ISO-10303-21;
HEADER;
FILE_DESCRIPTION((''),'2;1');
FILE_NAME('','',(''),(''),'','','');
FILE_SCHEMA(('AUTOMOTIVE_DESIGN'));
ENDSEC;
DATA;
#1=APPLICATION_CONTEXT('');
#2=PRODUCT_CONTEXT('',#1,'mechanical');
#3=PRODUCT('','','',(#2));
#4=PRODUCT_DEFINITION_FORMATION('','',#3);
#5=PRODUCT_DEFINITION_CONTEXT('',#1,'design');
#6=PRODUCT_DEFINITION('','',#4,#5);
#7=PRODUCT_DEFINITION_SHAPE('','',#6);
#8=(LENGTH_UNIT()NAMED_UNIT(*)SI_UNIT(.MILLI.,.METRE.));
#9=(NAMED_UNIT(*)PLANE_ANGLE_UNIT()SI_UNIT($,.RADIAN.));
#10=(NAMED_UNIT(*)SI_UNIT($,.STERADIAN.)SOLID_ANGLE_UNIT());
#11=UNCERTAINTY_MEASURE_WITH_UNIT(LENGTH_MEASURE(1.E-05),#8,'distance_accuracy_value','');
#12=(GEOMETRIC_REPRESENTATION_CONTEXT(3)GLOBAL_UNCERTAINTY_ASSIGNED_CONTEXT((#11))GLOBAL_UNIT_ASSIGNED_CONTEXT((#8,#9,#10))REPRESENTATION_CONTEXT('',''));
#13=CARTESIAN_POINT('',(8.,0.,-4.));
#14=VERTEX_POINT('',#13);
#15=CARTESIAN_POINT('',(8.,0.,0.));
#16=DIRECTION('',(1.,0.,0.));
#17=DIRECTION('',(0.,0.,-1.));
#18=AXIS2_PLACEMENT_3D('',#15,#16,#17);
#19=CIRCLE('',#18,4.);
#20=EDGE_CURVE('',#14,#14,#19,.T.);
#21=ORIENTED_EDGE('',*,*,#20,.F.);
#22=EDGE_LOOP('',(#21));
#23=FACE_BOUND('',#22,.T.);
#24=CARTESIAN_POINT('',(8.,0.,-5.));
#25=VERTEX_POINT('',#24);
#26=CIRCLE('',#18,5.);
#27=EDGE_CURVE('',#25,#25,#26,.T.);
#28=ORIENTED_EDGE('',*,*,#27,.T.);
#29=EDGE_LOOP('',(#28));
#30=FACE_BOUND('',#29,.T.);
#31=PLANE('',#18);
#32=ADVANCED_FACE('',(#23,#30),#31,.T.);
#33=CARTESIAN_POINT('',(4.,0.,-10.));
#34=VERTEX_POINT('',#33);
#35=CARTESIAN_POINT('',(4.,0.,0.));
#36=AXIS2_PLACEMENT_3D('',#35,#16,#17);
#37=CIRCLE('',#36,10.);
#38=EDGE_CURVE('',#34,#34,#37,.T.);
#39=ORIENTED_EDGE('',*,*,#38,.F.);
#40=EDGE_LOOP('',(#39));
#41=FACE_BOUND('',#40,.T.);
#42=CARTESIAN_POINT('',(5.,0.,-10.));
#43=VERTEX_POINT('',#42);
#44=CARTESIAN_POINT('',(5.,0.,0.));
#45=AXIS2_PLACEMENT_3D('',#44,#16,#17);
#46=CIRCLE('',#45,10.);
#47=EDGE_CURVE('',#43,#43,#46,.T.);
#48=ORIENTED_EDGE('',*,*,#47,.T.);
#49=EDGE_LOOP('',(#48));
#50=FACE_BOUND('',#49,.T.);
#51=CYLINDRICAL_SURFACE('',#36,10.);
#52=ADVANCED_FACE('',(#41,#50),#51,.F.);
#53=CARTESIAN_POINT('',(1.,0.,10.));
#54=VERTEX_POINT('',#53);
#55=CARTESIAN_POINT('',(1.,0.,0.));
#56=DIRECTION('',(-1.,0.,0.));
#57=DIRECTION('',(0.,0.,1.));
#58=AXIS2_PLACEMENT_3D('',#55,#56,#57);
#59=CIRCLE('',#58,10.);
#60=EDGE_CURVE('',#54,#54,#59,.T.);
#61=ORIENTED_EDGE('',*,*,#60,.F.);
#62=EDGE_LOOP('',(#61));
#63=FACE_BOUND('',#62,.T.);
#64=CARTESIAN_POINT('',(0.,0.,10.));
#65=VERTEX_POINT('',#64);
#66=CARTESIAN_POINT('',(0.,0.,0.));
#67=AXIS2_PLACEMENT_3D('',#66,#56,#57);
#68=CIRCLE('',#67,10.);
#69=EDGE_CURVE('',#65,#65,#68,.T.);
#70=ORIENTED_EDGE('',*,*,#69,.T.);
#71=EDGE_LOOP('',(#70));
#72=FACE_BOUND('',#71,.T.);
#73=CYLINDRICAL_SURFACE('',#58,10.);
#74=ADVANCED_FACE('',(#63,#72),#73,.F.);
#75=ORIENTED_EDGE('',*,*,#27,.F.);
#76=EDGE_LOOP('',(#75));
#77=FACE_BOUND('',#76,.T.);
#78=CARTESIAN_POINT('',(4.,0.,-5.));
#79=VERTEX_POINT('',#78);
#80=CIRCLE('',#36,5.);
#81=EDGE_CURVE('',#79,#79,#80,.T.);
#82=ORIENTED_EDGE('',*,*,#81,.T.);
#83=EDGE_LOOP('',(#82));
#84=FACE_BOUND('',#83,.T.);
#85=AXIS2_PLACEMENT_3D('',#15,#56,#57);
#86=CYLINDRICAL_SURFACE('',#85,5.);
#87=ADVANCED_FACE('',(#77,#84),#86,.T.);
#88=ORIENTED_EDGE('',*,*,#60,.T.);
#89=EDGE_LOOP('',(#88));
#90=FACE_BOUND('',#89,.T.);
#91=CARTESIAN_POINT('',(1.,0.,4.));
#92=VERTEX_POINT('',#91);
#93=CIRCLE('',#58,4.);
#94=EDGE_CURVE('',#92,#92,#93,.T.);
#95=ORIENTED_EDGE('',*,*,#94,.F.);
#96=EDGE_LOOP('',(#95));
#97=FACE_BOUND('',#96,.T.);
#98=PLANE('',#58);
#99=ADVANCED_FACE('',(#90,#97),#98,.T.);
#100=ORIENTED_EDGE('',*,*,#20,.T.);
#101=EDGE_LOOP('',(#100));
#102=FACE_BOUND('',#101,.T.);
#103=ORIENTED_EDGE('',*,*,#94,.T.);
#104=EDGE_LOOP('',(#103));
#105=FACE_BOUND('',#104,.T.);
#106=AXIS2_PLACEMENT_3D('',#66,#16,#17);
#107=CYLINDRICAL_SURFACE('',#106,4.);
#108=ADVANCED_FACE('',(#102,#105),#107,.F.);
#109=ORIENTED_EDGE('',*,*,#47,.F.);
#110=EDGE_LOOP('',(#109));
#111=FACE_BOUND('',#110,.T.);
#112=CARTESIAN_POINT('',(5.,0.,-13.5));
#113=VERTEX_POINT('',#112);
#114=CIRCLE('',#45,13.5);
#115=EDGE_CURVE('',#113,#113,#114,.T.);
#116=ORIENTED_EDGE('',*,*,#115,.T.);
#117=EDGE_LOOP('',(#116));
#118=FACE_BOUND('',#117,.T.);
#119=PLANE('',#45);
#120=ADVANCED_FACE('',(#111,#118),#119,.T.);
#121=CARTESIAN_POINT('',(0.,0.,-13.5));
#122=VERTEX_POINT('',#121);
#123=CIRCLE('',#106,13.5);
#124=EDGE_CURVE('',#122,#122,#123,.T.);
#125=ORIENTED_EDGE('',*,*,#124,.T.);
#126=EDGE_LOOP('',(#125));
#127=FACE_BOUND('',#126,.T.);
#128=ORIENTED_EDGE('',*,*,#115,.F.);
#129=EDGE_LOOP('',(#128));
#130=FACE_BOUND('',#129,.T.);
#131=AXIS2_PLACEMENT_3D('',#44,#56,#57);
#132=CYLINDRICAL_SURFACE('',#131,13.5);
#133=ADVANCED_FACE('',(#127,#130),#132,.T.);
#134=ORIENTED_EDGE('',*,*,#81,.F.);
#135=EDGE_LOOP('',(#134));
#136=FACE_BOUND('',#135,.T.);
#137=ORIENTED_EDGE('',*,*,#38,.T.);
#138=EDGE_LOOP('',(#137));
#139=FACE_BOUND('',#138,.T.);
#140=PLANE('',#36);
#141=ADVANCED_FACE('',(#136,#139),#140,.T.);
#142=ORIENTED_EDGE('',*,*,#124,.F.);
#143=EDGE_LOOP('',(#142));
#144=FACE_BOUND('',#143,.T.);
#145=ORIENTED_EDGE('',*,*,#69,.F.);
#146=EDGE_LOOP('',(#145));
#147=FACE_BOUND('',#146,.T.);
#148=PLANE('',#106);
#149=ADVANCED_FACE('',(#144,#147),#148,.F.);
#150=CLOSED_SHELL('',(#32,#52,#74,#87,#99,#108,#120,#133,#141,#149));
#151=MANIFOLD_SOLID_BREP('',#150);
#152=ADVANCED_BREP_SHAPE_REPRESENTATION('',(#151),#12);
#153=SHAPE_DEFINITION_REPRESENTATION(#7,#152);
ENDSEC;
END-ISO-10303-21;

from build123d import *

# Parameters (mm, degrees)
CROQUIS1_R              = 13.5
SALIENTE_EXTRUIR1_DEPTH = 5
CROQUIS2_R              = 10
CORTAR_EXTRUIR1_DEPTH   = 1
CORTAR_EXTRUIR2_START   = -1
CROQUIS3_R              = 10
CORTAR_EXTRUIR2_DEPTH   = 1
CROQUIS4_R              = 5
SALIENTE_EXTRUIR2_DEPTH = 4
CROQUIS5_R              = 4
CORTAR_EXTRUIR4_DEPTH   = 21.700241544


with BuildPart() as part:
    # Croquis1 → Saliente-Extruir1 (new body)
    with BuildSketch(Plane(origin=(0, 0, 0), x_dir=(0, 0, -1), z_dir=(1, 0, 0))):
        Circle(CROQUIS1_R)
    extrude(amount=SALIENTE_EXTRUIR1_DEPTH)

    # Croquis2 → Cortar-Extruir1 (cut)
    with BuildSketch(Plane(origin=(5, 0, 0), x_dir=(0, 0, -1), z_dir=(1, 0, 0))):
        Circle(CROQUIS2_R)
    extrude(amount=-CORTAR_EXTRUIR1_DEPTH, mode=Mode.SUBTRACT)

    # Croquis3 → Cortar-Extruir2 (cut)
    with BuildSketch(Plane.ZY.offset(CORTAR_EXTRUIR2_START)):
        with Locations(Location((0, 0, 0), (0, 0, 180))):
            Circle(CROQUIS3_R)
    extrude(amount=CORTAR_EXTRUIR2_DEPTH, mode=Mode.SUBTRACT)

    # Croquis4 → Saliente-Extruir2 (add)
    with BuildSketch(Plane(origin=(4, 0, 0), x_dir=(0, 0, -1), z_dir=(1, 0, 0))):
        Circle(CROQUIS4_R)
    extrude(amount=SALIENTE_EXTRUIR2_DEPTH)

    # Croquis5 → Cortar-Extruir4 (cut, through all)
    with BuildSketch(Plane(origin=(8, 0, 0), x_dir=(0, 0, -1), z_dir=(1, 0, 0))):
        Circle(CROQUIS5_R)
    extrude(amount=-CORTAR_EXTRUIR4_DEPTH, mode=Mode.SUBTRACT)


solid = part.part
